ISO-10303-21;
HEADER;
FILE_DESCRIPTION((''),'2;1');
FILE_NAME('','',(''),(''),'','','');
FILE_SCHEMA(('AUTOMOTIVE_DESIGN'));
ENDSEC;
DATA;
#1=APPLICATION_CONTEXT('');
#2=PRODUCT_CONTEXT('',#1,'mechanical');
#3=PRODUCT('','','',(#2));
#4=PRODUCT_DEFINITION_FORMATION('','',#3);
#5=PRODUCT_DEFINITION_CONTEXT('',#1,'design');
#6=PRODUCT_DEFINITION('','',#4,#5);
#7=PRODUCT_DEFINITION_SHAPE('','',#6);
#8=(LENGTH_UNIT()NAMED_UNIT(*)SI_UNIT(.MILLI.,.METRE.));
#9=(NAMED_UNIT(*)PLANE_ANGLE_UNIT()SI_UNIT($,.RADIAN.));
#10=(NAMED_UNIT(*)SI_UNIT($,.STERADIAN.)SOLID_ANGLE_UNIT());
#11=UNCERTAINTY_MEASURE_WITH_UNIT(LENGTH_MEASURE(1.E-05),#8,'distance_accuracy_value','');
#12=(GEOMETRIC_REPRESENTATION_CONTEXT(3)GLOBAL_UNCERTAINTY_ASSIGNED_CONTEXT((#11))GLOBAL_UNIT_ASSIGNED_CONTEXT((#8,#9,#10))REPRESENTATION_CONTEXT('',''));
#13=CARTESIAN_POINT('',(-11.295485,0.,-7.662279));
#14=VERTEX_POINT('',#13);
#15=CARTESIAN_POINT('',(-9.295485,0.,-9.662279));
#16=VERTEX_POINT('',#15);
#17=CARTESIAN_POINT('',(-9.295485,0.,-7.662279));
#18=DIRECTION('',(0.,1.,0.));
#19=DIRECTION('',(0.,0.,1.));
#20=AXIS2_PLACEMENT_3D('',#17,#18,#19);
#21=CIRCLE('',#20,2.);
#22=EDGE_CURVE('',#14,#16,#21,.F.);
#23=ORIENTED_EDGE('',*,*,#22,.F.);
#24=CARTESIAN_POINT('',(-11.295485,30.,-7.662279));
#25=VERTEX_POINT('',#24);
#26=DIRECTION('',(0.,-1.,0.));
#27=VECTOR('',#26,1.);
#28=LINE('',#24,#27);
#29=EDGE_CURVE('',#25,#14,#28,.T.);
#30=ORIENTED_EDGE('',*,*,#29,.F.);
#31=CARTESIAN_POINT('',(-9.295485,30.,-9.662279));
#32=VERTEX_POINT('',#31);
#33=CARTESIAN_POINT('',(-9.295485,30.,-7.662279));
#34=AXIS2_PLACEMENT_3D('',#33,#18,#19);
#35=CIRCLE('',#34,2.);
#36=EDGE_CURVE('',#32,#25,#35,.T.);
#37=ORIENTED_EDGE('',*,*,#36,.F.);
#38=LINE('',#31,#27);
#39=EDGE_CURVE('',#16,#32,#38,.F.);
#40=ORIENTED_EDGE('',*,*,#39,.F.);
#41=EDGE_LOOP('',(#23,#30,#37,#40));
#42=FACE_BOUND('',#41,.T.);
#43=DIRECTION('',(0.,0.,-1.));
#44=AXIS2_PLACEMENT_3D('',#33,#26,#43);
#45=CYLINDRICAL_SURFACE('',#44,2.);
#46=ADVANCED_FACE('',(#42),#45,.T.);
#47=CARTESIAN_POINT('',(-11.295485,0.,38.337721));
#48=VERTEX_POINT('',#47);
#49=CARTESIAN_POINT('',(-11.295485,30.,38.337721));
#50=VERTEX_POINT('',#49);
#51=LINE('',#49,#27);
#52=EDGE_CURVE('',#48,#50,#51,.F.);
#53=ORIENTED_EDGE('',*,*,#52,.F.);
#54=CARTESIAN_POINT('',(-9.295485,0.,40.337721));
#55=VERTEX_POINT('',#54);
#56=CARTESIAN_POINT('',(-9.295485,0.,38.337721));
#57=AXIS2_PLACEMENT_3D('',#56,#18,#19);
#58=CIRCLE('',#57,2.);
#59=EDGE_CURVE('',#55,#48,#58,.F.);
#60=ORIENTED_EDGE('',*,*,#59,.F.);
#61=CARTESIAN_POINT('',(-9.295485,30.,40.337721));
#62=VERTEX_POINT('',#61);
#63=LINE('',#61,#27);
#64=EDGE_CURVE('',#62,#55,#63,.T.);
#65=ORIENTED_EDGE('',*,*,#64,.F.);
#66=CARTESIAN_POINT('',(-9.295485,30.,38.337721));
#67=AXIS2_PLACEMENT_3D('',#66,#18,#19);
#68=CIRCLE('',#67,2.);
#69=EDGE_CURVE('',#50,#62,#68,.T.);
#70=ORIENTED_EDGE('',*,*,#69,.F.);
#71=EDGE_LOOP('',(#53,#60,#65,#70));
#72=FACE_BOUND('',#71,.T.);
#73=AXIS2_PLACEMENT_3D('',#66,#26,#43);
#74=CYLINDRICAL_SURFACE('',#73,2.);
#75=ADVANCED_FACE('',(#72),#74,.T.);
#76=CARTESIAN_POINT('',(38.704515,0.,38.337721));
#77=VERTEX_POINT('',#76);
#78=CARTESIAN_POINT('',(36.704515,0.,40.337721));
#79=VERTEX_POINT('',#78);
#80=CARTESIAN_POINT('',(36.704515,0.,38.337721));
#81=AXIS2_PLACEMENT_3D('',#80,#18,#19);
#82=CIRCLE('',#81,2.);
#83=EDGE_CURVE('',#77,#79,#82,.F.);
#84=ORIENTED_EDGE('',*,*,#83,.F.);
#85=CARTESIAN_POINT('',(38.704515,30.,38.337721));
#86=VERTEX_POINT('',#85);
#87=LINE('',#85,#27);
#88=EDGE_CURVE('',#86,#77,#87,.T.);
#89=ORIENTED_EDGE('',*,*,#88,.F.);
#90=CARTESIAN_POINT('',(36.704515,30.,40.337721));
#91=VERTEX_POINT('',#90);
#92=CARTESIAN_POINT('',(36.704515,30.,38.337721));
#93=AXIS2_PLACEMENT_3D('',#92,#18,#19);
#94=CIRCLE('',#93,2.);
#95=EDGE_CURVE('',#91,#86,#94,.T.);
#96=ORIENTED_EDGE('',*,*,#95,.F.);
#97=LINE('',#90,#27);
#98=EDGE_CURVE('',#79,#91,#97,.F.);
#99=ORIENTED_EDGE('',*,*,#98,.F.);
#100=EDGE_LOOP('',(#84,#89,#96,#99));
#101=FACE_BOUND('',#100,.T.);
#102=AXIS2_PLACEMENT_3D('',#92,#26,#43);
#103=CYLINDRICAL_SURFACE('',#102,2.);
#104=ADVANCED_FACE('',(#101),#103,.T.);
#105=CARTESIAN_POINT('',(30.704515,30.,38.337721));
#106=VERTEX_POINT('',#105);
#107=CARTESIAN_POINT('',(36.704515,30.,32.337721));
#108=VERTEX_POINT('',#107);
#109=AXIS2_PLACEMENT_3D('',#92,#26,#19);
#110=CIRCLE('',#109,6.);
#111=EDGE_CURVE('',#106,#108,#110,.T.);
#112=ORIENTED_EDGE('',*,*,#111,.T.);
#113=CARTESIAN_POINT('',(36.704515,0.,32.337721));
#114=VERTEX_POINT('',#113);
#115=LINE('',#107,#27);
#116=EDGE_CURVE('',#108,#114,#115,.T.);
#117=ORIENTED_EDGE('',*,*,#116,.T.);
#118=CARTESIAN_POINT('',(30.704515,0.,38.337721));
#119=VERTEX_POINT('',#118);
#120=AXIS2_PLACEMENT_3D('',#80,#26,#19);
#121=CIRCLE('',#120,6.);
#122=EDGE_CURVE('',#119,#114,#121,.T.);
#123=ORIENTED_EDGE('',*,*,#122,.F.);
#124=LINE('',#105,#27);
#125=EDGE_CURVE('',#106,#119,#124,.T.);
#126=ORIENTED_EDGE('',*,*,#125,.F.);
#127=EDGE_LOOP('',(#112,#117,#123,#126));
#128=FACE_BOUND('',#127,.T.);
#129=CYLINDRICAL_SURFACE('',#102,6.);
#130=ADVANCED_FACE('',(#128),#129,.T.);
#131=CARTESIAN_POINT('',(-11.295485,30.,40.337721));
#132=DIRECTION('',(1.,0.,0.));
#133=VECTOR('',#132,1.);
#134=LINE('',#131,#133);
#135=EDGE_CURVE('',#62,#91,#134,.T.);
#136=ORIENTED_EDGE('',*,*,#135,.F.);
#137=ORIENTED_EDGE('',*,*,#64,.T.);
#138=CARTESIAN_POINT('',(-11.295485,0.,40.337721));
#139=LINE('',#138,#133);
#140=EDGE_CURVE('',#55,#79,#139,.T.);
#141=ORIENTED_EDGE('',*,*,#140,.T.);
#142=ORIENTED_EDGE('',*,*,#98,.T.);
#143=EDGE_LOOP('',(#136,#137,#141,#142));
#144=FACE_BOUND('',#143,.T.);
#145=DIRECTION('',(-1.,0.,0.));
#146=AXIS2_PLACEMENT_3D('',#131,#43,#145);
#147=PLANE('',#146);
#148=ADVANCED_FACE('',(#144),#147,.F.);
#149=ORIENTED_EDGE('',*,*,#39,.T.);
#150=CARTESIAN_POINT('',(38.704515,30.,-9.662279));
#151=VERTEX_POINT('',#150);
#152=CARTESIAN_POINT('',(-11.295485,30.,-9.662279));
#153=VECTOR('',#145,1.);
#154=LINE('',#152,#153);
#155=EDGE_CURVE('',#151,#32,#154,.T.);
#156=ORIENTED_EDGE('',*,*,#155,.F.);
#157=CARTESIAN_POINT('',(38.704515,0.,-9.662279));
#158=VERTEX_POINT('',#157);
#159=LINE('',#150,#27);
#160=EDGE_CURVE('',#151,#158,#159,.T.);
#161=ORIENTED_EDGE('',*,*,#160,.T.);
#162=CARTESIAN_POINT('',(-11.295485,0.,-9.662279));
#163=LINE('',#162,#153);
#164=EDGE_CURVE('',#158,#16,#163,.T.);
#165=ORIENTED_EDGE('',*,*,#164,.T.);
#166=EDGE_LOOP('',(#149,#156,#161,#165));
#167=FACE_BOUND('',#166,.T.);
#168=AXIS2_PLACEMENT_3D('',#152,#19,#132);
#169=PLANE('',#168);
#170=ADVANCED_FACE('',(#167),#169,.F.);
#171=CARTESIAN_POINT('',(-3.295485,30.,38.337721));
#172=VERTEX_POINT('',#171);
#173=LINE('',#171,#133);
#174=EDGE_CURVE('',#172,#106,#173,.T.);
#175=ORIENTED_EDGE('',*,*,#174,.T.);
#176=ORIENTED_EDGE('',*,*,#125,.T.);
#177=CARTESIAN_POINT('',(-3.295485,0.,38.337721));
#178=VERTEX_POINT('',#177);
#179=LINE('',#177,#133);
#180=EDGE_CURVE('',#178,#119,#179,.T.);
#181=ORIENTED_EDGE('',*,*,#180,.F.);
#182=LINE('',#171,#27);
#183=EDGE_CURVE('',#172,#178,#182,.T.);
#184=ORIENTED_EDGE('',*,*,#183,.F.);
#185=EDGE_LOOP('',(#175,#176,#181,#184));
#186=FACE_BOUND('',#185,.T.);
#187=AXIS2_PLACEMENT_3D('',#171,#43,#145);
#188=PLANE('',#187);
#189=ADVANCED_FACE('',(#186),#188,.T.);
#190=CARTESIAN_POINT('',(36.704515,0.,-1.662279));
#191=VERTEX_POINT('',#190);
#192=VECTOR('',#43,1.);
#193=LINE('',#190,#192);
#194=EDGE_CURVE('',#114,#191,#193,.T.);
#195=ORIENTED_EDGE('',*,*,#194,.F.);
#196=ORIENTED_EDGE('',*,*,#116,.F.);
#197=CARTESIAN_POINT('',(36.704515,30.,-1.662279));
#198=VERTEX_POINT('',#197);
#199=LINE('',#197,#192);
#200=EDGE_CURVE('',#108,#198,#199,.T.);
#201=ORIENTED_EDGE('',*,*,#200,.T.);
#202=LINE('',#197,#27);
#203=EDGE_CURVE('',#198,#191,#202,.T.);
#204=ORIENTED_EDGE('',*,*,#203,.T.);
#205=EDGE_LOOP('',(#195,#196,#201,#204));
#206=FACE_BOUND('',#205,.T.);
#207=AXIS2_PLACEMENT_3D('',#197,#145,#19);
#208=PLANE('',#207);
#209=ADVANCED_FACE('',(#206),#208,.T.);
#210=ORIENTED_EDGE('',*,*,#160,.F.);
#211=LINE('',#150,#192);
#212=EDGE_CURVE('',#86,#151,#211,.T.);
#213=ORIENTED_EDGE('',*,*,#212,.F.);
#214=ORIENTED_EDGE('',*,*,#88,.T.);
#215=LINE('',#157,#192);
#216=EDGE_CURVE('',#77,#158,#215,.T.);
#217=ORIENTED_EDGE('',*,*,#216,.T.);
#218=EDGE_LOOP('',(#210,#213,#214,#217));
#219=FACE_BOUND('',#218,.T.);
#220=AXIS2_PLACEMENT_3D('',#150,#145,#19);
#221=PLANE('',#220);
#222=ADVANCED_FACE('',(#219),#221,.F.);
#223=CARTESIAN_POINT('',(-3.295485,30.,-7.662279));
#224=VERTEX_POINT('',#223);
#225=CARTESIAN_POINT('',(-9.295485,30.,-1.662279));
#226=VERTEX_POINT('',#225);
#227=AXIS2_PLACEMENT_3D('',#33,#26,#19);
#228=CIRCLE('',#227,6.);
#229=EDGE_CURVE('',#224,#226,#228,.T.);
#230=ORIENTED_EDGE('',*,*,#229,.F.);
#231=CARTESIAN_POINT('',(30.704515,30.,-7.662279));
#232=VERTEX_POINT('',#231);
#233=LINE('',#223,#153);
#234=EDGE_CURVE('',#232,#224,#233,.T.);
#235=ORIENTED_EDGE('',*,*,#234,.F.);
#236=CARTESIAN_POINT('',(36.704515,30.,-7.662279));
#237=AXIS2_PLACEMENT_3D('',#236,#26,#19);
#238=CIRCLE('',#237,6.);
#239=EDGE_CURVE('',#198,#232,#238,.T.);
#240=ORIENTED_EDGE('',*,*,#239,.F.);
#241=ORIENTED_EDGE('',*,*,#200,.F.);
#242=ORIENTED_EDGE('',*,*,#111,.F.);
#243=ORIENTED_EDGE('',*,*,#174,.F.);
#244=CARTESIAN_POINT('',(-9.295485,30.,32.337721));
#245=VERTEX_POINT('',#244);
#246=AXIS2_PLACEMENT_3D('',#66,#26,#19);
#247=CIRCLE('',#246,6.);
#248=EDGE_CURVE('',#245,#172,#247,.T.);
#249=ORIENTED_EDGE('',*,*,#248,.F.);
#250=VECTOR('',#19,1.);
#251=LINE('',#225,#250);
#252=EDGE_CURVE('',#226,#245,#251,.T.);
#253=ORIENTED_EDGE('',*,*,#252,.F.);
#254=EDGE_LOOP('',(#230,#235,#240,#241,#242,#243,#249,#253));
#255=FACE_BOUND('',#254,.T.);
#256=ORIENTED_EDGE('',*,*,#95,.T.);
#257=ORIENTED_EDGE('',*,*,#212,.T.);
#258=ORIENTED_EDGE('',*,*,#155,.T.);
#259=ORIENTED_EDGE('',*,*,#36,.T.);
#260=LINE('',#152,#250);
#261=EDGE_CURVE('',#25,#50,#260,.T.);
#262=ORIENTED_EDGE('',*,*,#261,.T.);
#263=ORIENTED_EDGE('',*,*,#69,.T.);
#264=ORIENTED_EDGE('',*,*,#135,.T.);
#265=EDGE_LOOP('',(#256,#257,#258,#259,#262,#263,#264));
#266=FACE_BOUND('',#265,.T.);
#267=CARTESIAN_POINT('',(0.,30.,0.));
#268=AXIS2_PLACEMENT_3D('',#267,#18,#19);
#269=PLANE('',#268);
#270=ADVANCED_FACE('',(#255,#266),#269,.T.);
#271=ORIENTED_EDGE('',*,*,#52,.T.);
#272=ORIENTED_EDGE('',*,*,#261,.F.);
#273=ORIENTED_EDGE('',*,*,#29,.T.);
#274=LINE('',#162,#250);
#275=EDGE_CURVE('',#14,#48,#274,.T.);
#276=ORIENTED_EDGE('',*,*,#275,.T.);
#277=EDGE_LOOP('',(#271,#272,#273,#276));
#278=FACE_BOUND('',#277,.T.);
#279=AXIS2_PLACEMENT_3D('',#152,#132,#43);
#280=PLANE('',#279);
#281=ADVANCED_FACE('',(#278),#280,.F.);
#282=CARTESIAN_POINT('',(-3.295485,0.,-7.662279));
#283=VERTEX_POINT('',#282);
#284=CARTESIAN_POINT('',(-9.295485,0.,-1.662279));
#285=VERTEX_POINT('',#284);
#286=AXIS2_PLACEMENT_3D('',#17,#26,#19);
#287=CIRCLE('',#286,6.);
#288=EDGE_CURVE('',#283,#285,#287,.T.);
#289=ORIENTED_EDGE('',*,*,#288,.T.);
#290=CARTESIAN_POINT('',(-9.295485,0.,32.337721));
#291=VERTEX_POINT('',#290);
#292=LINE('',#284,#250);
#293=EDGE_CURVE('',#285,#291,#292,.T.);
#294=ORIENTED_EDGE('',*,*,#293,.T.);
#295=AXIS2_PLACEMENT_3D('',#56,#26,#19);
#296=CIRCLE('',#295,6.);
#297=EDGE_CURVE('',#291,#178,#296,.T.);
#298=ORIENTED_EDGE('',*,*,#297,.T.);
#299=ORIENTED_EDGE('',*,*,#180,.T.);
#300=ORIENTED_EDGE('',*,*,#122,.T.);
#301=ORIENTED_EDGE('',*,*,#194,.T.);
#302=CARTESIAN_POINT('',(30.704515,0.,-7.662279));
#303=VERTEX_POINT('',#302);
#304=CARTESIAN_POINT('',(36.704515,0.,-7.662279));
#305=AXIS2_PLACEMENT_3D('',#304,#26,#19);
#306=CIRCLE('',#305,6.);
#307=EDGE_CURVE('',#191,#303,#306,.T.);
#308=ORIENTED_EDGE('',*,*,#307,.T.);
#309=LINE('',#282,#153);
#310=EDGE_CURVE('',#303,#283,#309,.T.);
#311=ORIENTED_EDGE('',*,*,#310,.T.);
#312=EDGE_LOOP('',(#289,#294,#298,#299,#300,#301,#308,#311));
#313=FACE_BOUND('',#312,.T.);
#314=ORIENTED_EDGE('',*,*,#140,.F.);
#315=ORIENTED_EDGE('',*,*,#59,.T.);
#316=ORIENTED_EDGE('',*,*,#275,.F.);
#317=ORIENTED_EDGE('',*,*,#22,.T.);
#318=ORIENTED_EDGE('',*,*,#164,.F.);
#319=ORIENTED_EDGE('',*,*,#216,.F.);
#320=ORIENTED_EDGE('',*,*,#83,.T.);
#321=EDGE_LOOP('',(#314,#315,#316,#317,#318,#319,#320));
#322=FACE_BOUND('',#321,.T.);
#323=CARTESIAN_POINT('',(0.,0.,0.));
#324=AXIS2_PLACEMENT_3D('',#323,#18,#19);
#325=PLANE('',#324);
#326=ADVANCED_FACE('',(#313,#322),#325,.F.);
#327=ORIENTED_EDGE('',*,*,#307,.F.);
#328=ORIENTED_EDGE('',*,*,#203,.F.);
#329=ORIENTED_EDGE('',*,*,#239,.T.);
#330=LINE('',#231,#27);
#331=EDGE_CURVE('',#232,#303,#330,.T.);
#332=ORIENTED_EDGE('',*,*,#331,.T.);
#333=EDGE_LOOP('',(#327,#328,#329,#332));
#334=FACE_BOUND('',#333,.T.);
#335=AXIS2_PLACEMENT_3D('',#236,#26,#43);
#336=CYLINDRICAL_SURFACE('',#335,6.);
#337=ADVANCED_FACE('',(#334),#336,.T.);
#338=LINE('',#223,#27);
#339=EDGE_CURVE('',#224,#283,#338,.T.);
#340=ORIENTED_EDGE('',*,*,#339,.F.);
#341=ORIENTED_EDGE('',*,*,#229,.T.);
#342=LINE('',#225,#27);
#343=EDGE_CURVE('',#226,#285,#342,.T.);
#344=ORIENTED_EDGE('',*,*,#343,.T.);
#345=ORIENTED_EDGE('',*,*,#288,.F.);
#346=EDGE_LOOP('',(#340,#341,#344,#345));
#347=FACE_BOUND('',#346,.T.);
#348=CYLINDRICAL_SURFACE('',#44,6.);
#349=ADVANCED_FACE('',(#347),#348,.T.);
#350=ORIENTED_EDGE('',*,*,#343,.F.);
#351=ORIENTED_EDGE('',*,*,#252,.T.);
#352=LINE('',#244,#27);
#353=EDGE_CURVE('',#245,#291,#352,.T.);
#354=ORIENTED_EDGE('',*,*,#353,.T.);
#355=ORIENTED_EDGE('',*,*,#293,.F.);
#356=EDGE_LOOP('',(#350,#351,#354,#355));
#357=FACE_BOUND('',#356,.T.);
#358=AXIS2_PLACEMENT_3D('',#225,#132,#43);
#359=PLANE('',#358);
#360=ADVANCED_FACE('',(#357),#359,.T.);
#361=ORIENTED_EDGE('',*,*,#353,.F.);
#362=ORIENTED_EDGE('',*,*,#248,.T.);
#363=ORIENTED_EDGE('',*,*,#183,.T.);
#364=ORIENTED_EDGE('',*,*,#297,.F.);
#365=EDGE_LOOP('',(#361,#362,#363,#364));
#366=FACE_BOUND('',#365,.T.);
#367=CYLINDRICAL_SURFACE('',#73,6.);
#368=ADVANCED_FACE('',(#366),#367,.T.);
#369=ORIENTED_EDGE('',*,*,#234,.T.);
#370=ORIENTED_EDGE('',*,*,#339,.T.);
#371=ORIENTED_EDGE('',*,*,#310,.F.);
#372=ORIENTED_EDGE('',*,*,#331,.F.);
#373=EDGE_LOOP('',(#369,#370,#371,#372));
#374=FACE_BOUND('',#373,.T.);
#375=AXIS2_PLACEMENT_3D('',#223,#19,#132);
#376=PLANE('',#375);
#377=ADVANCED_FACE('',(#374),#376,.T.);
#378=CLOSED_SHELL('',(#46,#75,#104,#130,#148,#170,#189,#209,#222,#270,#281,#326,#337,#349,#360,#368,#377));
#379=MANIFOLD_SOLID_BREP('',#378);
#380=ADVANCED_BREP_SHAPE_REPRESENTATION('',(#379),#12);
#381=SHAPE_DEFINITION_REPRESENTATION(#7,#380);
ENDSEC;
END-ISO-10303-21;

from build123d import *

# Parameters (mm, degrees)
ESQUISSE1_W        = 50
ESQUISSE1_H        = 50
BOSS_EXTRU_1_DEPTH = 30
CONG_1_R           = 2


with BuildPart() as part:
    # Esquisse1 → Boss.-Extru.1 (new body)
    with BuildSketch(Plane(origin=(0, 0, 0), x_dir=(1, 0, 0), z_dir=(0, 1, 0))):
        with Locations((13.704515327, -15.337721188)):
            Rectangle(ESQUISSE1_W, ESQUISSE1_H)
        with BuildLine():
            Line((-3.295484673, 7.662278812), (30.704515327, 7.662278812))
            ThreePointArc((30.704515327, 7.662278812), (32.461874639, 3.419638124), (36.704515327, 1.662278812))
            Line((36.704515327, 1.662278812), (36.704515327, -32.337721188))
            ThreePointArc((36.704515327, -32.337721188), (32.461874639, -34.095080501), (30.704515327, -38.337721188))
            Line((30.704515327, -38.337721188), (-3.295484673, -38.337721188))
            ThreePointArc((-3.295484673, -38.337721188), (-5.052843986, -34.095080501), (-9.295484673, -32.337721188))
            Line((-9.295484673, -32.337721188), (-9.295484673, 1.662278812))
            ThreePointArc((-9.295484673, 1.662278812), (-5.052843986, 3.419638124), (-3.295484673, 7.662278812))
        make_face(mode=Mode.SUBTRACT)
    extrude(amount=BOSS_EXTRU_1_DEPTH)

    # Congé1
    cong_1_edges = [part.edges().sort_by_distance(p)[0] for p in [
        (-11.295484673, 15, -9.662278812),
        (38.704515327, 15, 40.337721188),
        (-11.295484673, 15, 40.337721188),
    ]]
    fillet(cong_1_edges, radius=CONG_1_R)


solid = part.part
